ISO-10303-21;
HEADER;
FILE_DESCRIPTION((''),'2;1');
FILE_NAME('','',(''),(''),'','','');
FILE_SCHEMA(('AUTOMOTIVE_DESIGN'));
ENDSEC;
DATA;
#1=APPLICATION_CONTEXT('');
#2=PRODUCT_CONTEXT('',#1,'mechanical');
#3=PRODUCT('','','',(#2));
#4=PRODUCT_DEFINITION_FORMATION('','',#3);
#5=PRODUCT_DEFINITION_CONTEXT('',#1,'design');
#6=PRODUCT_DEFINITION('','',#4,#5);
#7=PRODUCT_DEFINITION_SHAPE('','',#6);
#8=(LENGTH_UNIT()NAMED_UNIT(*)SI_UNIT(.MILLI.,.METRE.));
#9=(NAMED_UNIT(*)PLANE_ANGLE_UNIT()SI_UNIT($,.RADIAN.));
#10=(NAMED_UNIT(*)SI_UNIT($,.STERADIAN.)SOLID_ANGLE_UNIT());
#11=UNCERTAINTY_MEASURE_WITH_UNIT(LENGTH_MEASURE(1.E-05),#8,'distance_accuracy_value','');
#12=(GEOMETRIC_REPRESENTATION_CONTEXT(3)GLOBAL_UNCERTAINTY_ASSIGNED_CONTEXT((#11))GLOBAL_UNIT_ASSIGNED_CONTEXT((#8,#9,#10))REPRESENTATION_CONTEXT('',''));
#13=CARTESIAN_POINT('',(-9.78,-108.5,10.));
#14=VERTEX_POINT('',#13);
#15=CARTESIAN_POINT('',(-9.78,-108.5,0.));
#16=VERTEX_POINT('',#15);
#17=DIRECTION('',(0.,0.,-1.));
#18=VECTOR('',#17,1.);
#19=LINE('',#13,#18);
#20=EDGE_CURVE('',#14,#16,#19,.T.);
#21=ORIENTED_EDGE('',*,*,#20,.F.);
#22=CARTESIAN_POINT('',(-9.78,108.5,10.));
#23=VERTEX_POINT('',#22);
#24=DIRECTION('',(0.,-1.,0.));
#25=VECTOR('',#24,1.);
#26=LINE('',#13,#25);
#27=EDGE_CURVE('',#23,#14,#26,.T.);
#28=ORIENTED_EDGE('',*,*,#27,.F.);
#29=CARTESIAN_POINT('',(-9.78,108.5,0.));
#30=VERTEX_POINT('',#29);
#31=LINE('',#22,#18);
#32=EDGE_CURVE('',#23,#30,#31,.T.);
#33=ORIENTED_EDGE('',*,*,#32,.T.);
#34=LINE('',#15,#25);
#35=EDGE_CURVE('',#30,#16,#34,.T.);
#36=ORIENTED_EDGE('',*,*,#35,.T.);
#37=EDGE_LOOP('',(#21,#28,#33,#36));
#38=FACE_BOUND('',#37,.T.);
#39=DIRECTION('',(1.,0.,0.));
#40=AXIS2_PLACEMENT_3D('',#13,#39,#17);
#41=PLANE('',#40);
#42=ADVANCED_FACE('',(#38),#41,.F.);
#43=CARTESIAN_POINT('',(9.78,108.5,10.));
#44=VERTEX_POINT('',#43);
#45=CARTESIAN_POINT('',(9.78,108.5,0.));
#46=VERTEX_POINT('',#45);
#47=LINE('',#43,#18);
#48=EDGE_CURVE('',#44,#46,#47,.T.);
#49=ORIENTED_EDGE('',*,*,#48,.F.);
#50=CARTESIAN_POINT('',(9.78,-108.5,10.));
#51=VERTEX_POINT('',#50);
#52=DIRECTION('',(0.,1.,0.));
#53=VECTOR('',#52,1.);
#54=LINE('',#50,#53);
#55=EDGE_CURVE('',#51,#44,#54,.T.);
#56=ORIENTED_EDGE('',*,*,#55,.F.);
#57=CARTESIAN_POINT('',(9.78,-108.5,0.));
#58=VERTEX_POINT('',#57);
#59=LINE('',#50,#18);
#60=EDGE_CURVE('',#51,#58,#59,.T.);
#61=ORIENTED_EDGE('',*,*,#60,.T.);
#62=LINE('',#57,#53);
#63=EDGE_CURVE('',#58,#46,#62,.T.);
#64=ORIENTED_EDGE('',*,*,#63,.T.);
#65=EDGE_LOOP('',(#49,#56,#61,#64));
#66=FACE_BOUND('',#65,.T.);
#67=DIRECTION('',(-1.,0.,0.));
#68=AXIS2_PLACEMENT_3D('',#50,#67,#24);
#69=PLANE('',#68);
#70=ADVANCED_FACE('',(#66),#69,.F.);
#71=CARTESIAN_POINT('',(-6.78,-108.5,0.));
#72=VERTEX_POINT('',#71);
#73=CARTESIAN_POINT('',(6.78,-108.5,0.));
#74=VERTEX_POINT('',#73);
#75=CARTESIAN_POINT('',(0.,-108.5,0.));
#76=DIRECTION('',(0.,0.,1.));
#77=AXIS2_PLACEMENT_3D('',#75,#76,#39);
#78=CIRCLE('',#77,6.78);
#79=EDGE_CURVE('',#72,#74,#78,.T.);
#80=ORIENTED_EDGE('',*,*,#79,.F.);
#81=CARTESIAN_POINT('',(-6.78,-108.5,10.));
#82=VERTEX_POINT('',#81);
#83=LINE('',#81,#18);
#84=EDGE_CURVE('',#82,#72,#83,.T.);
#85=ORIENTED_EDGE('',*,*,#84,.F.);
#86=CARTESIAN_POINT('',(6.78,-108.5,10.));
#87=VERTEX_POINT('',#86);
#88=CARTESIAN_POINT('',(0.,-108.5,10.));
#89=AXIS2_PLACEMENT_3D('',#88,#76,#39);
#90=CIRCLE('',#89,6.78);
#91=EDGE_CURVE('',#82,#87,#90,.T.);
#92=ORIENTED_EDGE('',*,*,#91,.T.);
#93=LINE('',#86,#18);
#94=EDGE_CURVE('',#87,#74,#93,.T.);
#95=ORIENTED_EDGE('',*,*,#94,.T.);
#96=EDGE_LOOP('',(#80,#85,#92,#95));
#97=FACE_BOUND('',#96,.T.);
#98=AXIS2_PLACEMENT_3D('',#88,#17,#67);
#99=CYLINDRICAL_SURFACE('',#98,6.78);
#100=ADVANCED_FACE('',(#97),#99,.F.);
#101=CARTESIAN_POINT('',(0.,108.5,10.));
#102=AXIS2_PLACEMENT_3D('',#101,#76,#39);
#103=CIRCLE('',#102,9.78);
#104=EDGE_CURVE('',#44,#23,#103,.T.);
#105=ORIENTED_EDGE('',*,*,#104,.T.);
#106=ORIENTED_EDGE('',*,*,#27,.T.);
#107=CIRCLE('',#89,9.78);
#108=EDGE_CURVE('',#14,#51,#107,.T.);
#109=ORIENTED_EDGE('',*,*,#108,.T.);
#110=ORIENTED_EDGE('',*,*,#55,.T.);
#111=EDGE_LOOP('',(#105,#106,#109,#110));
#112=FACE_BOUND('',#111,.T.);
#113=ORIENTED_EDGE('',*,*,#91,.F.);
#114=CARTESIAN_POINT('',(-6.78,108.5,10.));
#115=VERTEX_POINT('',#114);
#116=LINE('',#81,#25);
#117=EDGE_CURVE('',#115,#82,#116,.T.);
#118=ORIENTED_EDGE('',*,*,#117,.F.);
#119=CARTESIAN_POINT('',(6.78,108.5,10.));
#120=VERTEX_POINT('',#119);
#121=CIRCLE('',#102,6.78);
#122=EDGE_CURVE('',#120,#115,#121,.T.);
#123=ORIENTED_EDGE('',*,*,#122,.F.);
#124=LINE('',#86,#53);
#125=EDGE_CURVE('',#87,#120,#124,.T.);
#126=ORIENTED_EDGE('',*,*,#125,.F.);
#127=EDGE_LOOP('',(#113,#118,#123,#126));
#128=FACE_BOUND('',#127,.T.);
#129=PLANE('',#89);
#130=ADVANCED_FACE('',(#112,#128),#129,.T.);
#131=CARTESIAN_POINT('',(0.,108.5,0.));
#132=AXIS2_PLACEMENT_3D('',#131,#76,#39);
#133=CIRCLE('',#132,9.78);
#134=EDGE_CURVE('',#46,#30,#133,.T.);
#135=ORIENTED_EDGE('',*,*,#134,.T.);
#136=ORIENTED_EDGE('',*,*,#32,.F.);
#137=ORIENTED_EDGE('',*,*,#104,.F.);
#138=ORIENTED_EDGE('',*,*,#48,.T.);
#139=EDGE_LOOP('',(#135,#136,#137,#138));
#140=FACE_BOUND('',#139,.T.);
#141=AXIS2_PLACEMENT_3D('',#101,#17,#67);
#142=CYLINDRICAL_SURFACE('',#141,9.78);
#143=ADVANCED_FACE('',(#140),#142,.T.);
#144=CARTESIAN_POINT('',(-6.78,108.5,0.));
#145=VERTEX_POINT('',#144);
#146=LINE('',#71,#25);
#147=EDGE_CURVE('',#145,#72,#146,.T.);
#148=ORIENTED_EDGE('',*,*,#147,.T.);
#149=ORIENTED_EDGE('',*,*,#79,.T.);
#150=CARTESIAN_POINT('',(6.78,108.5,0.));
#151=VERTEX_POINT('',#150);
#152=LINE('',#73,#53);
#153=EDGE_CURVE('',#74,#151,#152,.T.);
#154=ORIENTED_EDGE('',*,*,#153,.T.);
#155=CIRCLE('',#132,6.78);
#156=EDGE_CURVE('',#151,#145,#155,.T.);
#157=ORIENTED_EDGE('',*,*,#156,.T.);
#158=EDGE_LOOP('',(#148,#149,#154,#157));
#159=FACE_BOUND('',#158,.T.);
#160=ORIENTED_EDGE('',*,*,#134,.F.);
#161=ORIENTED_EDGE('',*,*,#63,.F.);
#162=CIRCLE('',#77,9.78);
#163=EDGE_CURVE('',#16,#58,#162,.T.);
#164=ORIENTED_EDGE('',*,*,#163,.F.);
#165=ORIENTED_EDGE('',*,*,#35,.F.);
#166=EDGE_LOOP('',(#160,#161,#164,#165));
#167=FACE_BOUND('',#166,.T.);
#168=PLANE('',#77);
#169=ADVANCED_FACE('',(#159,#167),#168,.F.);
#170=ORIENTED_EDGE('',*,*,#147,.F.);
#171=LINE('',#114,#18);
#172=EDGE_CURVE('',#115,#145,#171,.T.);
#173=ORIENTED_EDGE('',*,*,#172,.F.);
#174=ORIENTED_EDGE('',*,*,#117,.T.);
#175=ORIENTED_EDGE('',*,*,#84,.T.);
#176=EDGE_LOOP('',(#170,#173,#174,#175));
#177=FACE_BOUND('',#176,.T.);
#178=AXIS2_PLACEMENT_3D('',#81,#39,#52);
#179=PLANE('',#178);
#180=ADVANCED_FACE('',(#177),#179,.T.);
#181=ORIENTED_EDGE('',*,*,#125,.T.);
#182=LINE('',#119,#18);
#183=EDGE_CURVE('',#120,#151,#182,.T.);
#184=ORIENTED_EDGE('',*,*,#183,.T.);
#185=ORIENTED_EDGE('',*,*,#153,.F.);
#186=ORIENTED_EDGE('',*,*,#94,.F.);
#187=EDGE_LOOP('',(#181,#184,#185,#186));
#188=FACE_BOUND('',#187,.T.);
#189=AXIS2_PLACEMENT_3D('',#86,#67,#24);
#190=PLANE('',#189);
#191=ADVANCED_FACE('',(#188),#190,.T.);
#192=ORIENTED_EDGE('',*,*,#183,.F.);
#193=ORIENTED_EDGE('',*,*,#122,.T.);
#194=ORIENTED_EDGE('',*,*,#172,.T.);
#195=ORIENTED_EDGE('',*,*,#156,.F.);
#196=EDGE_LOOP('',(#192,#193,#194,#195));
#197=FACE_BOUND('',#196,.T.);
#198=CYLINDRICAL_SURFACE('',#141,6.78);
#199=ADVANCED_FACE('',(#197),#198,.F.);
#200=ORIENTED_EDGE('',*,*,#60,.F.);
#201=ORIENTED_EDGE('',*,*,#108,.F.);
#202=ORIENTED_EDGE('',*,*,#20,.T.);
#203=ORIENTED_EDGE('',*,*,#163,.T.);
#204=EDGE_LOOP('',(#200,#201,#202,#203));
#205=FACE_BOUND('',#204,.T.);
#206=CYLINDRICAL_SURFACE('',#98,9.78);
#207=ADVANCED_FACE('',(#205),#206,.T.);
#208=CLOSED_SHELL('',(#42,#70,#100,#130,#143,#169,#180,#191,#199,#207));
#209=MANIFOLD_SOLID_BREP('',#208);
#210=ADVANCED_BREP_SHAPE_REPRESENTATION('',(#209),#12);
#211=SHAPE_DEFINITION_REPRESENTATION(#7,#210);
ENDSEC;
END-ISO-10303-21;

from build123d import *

# Parameters (mm, degrees)
EXTRUDE_1_DEPTH = 10


with BuildPart() as part:
    # 草图1 → 凸台-拉伸1 (new body)
    with BuildSketch(Plane.XY):
        with BuildLine():
            Line((-9.78, -108.5), (-9.78, 108.5))
            ThreePointArc((-9.78, 108.5), (0, 118.28), (9.78, 108.5))
            Line((9.78, 108.5), (9.78, -108.5))
            ThreePointArc((9.78, -108.5), (0, -118.28), (-9.78, -108.5))
        make_face()
        with BuildLine():
            Line((-6.78, -108.5), (-6.78, 108.5))
            ThreePointArc((-6.78, 108.5), (0, 115.28), (6.78, 108.5))
            Line((6.78, 108.5), (6.78, -108.5))
            ThreePointArc((6.78, -108.5), (0, -115.28), (-6.78, -108.5))
        make_face(mode=Mode.SUBTRACT)
    extrude(amount=EXTRUDE_1_DEPTH)


solid = part.part
